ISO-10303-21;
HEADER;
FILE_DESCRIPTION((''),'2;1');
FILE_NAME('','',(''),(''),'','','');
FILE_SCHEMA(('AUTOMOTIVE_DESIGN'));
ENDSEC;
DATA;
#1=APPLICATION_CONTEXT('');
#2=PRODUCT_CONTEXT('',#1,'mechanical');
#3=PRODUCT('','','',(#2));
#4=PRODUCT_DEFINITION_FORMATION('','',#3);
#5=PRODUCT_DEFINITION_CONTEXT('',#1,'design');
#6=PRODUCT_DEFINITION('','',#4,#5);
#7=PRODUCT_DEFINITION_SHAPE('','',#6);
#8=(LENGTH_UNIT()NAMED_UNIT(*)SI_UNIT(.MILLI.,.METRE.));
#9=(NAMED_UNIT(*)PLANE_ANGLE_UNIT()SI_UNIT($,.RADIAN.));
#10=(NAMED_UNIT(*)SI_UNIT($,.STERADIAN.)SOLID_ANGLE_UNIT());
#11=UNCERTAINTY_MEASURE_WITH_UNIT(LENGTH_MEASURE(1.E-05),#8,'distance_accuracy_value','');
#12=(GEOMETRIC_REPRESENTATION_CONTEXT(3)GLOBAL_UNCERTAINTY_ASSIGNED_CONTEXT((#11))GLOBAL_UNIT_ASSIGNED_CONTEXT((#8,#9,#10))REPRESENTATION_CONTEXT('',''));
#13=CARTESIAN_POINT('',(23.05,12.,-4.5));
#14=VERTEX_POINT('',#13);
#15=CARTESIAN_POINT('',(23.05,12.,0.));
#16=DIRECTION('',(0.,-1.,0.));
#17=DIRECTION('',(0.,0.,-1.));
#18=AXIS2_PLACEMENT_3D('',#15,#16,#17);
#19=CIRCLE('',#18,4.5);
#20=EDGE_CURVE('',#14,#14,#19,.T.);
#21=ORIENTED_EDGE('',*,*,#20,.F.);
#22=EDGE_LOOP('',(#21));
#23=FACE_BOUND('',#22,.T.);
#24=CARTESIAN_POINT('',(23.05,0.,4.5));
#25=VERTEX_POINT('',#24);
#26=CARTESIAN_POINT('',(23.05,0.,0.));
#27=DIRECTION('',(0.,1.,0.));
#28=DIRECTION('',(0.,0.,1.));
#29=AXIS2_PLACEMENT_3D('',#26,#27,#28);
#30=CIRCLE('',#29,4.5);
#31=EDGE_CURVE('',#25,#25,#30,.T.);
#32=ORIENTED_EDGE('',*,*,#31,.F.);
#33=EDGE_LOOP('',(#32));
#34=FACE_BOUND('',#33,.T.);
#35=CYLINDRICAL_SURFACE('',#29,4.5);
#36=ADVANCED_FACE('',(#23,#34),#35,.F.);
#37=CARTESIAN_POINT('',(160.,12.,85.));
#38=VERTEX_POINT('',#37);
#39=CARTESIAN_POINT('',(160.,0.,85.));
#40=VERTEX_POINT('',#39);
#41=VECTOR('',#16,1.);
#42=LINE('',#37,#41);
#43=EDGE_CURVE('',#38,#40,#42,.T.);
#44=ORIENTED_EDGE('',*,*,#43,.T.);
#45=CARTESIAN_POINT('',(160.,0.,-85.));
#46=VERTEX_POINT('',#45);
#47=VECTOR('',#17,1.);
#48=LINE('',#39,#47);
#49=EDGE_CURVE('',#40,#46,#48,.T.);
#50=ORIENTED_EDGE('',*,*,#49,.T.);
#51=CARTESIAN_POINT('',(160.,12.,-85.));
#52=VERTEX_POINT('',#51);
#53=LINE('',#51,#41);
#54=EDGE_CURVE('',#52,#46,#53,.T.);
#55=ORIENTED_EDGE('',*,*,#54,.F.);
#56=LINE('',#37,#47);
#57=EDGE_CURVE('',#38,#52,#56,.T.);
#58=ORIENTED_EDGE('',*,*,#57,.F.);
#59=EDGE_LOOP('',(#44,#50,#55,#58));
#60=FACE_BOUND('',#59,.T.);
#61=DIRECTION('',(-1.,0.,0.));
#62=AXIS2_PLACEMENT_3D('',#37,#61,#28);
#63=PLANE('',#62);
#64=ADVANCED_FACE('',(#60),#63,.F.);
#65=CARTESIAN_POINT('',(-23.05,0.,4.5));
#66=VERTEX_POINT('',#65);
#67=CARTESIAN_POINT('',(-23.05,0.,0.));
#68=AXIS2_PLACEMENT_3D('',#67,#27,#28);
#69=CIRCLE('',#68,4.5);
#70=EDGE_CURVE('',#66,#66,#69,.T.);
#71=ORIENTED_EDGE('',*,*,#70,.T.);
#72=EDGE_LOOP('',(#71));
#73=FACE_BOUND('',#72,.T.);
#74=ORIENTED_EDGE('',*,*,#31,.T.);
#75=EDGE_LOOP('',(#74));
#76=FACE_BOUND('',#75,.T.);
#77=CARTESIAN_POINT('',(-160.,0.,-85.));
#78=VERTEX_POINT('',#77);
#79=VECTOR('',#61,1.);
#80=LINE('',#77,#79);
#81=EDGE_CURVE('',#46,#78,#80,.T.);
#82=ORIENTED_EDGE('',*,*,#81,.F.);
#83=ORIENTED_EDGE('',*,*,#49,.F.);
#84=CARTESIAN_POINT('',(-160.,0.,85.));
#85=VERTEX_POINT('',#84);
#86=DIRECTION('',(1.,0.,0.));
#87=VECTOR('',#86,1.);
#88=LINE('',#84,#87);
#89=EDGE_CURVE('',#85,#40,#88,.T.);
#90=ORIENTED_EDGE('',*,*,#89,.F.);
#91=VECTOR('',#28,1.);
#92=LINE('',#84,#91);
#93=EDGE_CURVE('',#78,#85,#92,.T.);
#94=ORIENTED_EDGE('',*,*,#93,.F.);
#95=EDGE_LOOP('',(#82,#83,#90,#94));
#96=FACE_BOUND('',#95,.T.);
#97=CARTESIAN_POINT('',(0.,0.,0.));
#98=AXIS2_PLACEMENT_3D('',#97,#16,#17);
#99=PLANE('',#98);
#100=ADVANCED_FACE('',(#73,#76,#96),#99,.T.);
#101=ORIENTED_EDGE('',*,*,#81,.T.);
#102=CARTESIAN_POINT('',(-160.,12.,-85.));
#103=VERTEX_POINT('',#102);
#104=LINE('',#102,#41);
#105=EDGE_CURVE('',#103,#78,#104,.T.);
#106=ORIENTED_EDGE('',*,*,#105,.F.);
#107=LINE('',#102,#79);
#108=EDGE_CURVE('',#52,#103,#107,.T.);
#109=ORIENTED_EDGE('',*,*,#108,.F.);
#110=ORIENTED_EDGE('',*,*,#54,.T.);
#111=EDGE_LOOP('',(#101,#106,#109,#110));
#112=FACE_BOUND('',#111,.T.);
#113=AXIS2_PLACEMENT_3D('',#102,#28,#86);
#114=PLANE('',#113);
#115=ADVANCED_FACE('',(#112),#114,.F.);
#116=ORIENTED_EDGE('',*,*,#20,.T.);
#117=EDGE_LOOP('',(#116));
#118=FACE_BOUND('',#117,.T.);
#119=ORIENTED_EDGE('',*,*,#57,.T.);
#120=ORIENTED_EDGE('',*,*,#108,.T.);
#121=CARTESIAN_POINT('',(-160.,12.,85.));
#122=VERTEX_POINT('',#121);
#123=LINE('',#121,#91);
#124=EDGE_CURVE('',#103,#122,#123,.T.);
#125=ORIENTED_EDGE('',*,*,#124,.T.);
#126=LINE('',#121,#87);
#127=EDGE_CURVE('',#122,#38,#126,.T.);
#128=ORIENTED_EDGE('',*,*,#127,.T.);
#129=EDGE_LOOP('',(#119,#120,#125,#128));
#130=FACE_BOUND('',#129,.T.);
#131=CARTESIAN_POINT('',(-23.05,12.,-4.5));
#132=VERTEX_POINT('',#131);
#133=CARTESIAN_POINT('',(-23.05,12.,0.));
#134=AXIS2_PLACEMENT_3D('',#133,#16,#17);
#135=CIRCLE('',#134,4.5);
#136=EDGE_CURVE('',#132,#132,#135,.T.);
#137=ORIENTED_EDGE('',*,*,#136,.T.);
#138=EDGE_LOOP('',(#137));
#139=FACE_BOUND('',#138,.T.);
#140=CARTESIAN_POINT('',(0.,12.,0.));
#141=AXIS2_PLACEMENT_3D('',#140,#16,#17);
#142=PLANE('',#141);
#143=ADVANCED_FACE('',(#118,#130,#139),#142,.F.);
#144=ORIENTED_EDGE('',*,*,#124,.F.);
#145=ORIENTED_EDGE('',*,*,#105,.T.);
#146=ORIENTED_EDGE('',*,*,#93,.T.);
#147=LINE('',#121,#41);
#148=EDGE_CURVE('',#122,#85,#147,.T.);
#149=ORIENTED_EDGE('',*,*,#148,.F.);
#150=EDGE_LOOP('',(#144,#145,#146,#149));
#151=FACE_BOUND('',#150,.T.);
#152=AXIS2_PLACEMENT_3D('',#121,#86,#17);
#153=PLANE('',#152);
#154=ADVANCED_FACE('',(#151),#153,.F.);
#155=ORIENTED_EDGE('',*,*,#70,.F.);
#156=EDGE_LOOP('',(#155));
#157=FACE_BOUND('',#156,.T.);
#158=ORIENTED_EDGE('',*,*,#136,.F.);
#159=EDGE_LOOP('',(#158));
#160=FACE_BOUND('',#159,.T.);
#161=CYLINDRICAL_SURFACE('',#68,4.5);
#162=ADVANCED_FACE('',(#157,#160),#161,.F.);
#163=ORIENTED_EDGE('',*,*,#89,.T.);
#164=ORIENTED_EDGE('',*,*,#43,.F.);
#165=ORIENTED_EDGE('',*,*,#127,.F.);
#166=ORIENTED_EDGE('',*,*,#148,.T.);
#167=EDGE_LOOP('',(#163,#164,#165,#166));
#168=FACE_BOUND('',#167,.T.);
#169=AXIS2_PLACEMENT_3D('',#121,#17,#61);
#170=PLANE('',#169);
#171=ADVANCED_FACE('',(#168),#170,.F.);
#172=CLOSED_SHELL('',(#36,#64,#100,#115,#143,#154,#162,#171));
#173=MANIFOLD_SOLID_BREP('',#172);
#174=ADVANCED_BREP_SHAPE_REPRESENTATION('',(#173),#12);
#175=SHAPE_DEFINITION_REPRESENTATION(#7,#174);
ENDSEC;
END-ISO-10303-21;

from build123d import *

# Parameters (mm, degrees)
ESBO_O1_W                  = 320
ESBO_O1_H                  = 170
RESSALTO_EXTRUS_O1_DEPTH   = 12
ESBO_O2_R                  = 4.5
CORTE_EXTRUS_O1_DEPTH      = 1
CORTE_EXTRUS_O1_DEPTH_BACK = 13


with BuildPart() as part:
    # Esboço1 → Ressalto-extrusão1 (new body)
    with BuildSketch(Plane(origin=(0, 0, 0), x_dir=(1, 0, 0), z_dir=(0, 1, 0))):
        Rectangle(ESBO_O1_W, ESBO_O1_H)
    extrude(amount=RESSALTO_EXTRUS_O1_DEPTH)

    # Esboço2 → Corte-extrusão1 (cut, two sides)
    with BuildSketch(Plane(origin=(0, 12, 0), x_dir=(1, 0, 0), z_dir=(0, 1, 0))) as corte_extrus_o1_sk:
        with Locations((-23.05, 0)):
            Circle(ESBO_O2_R)
        with Locations((23.05, 0)):
            Circle(ESBO_O2_R)
    extrude(amount=CORTE_EXTRUS_O1_DEPTH, mode=Mode.SUBTRACT)
    extrude(corte_extrus_o1_sk.sketch, amount=-CORTE_EXTRUS_O1_DEPTH_BACK, mode=Mode.SUBTRACT)


solid = part.part
